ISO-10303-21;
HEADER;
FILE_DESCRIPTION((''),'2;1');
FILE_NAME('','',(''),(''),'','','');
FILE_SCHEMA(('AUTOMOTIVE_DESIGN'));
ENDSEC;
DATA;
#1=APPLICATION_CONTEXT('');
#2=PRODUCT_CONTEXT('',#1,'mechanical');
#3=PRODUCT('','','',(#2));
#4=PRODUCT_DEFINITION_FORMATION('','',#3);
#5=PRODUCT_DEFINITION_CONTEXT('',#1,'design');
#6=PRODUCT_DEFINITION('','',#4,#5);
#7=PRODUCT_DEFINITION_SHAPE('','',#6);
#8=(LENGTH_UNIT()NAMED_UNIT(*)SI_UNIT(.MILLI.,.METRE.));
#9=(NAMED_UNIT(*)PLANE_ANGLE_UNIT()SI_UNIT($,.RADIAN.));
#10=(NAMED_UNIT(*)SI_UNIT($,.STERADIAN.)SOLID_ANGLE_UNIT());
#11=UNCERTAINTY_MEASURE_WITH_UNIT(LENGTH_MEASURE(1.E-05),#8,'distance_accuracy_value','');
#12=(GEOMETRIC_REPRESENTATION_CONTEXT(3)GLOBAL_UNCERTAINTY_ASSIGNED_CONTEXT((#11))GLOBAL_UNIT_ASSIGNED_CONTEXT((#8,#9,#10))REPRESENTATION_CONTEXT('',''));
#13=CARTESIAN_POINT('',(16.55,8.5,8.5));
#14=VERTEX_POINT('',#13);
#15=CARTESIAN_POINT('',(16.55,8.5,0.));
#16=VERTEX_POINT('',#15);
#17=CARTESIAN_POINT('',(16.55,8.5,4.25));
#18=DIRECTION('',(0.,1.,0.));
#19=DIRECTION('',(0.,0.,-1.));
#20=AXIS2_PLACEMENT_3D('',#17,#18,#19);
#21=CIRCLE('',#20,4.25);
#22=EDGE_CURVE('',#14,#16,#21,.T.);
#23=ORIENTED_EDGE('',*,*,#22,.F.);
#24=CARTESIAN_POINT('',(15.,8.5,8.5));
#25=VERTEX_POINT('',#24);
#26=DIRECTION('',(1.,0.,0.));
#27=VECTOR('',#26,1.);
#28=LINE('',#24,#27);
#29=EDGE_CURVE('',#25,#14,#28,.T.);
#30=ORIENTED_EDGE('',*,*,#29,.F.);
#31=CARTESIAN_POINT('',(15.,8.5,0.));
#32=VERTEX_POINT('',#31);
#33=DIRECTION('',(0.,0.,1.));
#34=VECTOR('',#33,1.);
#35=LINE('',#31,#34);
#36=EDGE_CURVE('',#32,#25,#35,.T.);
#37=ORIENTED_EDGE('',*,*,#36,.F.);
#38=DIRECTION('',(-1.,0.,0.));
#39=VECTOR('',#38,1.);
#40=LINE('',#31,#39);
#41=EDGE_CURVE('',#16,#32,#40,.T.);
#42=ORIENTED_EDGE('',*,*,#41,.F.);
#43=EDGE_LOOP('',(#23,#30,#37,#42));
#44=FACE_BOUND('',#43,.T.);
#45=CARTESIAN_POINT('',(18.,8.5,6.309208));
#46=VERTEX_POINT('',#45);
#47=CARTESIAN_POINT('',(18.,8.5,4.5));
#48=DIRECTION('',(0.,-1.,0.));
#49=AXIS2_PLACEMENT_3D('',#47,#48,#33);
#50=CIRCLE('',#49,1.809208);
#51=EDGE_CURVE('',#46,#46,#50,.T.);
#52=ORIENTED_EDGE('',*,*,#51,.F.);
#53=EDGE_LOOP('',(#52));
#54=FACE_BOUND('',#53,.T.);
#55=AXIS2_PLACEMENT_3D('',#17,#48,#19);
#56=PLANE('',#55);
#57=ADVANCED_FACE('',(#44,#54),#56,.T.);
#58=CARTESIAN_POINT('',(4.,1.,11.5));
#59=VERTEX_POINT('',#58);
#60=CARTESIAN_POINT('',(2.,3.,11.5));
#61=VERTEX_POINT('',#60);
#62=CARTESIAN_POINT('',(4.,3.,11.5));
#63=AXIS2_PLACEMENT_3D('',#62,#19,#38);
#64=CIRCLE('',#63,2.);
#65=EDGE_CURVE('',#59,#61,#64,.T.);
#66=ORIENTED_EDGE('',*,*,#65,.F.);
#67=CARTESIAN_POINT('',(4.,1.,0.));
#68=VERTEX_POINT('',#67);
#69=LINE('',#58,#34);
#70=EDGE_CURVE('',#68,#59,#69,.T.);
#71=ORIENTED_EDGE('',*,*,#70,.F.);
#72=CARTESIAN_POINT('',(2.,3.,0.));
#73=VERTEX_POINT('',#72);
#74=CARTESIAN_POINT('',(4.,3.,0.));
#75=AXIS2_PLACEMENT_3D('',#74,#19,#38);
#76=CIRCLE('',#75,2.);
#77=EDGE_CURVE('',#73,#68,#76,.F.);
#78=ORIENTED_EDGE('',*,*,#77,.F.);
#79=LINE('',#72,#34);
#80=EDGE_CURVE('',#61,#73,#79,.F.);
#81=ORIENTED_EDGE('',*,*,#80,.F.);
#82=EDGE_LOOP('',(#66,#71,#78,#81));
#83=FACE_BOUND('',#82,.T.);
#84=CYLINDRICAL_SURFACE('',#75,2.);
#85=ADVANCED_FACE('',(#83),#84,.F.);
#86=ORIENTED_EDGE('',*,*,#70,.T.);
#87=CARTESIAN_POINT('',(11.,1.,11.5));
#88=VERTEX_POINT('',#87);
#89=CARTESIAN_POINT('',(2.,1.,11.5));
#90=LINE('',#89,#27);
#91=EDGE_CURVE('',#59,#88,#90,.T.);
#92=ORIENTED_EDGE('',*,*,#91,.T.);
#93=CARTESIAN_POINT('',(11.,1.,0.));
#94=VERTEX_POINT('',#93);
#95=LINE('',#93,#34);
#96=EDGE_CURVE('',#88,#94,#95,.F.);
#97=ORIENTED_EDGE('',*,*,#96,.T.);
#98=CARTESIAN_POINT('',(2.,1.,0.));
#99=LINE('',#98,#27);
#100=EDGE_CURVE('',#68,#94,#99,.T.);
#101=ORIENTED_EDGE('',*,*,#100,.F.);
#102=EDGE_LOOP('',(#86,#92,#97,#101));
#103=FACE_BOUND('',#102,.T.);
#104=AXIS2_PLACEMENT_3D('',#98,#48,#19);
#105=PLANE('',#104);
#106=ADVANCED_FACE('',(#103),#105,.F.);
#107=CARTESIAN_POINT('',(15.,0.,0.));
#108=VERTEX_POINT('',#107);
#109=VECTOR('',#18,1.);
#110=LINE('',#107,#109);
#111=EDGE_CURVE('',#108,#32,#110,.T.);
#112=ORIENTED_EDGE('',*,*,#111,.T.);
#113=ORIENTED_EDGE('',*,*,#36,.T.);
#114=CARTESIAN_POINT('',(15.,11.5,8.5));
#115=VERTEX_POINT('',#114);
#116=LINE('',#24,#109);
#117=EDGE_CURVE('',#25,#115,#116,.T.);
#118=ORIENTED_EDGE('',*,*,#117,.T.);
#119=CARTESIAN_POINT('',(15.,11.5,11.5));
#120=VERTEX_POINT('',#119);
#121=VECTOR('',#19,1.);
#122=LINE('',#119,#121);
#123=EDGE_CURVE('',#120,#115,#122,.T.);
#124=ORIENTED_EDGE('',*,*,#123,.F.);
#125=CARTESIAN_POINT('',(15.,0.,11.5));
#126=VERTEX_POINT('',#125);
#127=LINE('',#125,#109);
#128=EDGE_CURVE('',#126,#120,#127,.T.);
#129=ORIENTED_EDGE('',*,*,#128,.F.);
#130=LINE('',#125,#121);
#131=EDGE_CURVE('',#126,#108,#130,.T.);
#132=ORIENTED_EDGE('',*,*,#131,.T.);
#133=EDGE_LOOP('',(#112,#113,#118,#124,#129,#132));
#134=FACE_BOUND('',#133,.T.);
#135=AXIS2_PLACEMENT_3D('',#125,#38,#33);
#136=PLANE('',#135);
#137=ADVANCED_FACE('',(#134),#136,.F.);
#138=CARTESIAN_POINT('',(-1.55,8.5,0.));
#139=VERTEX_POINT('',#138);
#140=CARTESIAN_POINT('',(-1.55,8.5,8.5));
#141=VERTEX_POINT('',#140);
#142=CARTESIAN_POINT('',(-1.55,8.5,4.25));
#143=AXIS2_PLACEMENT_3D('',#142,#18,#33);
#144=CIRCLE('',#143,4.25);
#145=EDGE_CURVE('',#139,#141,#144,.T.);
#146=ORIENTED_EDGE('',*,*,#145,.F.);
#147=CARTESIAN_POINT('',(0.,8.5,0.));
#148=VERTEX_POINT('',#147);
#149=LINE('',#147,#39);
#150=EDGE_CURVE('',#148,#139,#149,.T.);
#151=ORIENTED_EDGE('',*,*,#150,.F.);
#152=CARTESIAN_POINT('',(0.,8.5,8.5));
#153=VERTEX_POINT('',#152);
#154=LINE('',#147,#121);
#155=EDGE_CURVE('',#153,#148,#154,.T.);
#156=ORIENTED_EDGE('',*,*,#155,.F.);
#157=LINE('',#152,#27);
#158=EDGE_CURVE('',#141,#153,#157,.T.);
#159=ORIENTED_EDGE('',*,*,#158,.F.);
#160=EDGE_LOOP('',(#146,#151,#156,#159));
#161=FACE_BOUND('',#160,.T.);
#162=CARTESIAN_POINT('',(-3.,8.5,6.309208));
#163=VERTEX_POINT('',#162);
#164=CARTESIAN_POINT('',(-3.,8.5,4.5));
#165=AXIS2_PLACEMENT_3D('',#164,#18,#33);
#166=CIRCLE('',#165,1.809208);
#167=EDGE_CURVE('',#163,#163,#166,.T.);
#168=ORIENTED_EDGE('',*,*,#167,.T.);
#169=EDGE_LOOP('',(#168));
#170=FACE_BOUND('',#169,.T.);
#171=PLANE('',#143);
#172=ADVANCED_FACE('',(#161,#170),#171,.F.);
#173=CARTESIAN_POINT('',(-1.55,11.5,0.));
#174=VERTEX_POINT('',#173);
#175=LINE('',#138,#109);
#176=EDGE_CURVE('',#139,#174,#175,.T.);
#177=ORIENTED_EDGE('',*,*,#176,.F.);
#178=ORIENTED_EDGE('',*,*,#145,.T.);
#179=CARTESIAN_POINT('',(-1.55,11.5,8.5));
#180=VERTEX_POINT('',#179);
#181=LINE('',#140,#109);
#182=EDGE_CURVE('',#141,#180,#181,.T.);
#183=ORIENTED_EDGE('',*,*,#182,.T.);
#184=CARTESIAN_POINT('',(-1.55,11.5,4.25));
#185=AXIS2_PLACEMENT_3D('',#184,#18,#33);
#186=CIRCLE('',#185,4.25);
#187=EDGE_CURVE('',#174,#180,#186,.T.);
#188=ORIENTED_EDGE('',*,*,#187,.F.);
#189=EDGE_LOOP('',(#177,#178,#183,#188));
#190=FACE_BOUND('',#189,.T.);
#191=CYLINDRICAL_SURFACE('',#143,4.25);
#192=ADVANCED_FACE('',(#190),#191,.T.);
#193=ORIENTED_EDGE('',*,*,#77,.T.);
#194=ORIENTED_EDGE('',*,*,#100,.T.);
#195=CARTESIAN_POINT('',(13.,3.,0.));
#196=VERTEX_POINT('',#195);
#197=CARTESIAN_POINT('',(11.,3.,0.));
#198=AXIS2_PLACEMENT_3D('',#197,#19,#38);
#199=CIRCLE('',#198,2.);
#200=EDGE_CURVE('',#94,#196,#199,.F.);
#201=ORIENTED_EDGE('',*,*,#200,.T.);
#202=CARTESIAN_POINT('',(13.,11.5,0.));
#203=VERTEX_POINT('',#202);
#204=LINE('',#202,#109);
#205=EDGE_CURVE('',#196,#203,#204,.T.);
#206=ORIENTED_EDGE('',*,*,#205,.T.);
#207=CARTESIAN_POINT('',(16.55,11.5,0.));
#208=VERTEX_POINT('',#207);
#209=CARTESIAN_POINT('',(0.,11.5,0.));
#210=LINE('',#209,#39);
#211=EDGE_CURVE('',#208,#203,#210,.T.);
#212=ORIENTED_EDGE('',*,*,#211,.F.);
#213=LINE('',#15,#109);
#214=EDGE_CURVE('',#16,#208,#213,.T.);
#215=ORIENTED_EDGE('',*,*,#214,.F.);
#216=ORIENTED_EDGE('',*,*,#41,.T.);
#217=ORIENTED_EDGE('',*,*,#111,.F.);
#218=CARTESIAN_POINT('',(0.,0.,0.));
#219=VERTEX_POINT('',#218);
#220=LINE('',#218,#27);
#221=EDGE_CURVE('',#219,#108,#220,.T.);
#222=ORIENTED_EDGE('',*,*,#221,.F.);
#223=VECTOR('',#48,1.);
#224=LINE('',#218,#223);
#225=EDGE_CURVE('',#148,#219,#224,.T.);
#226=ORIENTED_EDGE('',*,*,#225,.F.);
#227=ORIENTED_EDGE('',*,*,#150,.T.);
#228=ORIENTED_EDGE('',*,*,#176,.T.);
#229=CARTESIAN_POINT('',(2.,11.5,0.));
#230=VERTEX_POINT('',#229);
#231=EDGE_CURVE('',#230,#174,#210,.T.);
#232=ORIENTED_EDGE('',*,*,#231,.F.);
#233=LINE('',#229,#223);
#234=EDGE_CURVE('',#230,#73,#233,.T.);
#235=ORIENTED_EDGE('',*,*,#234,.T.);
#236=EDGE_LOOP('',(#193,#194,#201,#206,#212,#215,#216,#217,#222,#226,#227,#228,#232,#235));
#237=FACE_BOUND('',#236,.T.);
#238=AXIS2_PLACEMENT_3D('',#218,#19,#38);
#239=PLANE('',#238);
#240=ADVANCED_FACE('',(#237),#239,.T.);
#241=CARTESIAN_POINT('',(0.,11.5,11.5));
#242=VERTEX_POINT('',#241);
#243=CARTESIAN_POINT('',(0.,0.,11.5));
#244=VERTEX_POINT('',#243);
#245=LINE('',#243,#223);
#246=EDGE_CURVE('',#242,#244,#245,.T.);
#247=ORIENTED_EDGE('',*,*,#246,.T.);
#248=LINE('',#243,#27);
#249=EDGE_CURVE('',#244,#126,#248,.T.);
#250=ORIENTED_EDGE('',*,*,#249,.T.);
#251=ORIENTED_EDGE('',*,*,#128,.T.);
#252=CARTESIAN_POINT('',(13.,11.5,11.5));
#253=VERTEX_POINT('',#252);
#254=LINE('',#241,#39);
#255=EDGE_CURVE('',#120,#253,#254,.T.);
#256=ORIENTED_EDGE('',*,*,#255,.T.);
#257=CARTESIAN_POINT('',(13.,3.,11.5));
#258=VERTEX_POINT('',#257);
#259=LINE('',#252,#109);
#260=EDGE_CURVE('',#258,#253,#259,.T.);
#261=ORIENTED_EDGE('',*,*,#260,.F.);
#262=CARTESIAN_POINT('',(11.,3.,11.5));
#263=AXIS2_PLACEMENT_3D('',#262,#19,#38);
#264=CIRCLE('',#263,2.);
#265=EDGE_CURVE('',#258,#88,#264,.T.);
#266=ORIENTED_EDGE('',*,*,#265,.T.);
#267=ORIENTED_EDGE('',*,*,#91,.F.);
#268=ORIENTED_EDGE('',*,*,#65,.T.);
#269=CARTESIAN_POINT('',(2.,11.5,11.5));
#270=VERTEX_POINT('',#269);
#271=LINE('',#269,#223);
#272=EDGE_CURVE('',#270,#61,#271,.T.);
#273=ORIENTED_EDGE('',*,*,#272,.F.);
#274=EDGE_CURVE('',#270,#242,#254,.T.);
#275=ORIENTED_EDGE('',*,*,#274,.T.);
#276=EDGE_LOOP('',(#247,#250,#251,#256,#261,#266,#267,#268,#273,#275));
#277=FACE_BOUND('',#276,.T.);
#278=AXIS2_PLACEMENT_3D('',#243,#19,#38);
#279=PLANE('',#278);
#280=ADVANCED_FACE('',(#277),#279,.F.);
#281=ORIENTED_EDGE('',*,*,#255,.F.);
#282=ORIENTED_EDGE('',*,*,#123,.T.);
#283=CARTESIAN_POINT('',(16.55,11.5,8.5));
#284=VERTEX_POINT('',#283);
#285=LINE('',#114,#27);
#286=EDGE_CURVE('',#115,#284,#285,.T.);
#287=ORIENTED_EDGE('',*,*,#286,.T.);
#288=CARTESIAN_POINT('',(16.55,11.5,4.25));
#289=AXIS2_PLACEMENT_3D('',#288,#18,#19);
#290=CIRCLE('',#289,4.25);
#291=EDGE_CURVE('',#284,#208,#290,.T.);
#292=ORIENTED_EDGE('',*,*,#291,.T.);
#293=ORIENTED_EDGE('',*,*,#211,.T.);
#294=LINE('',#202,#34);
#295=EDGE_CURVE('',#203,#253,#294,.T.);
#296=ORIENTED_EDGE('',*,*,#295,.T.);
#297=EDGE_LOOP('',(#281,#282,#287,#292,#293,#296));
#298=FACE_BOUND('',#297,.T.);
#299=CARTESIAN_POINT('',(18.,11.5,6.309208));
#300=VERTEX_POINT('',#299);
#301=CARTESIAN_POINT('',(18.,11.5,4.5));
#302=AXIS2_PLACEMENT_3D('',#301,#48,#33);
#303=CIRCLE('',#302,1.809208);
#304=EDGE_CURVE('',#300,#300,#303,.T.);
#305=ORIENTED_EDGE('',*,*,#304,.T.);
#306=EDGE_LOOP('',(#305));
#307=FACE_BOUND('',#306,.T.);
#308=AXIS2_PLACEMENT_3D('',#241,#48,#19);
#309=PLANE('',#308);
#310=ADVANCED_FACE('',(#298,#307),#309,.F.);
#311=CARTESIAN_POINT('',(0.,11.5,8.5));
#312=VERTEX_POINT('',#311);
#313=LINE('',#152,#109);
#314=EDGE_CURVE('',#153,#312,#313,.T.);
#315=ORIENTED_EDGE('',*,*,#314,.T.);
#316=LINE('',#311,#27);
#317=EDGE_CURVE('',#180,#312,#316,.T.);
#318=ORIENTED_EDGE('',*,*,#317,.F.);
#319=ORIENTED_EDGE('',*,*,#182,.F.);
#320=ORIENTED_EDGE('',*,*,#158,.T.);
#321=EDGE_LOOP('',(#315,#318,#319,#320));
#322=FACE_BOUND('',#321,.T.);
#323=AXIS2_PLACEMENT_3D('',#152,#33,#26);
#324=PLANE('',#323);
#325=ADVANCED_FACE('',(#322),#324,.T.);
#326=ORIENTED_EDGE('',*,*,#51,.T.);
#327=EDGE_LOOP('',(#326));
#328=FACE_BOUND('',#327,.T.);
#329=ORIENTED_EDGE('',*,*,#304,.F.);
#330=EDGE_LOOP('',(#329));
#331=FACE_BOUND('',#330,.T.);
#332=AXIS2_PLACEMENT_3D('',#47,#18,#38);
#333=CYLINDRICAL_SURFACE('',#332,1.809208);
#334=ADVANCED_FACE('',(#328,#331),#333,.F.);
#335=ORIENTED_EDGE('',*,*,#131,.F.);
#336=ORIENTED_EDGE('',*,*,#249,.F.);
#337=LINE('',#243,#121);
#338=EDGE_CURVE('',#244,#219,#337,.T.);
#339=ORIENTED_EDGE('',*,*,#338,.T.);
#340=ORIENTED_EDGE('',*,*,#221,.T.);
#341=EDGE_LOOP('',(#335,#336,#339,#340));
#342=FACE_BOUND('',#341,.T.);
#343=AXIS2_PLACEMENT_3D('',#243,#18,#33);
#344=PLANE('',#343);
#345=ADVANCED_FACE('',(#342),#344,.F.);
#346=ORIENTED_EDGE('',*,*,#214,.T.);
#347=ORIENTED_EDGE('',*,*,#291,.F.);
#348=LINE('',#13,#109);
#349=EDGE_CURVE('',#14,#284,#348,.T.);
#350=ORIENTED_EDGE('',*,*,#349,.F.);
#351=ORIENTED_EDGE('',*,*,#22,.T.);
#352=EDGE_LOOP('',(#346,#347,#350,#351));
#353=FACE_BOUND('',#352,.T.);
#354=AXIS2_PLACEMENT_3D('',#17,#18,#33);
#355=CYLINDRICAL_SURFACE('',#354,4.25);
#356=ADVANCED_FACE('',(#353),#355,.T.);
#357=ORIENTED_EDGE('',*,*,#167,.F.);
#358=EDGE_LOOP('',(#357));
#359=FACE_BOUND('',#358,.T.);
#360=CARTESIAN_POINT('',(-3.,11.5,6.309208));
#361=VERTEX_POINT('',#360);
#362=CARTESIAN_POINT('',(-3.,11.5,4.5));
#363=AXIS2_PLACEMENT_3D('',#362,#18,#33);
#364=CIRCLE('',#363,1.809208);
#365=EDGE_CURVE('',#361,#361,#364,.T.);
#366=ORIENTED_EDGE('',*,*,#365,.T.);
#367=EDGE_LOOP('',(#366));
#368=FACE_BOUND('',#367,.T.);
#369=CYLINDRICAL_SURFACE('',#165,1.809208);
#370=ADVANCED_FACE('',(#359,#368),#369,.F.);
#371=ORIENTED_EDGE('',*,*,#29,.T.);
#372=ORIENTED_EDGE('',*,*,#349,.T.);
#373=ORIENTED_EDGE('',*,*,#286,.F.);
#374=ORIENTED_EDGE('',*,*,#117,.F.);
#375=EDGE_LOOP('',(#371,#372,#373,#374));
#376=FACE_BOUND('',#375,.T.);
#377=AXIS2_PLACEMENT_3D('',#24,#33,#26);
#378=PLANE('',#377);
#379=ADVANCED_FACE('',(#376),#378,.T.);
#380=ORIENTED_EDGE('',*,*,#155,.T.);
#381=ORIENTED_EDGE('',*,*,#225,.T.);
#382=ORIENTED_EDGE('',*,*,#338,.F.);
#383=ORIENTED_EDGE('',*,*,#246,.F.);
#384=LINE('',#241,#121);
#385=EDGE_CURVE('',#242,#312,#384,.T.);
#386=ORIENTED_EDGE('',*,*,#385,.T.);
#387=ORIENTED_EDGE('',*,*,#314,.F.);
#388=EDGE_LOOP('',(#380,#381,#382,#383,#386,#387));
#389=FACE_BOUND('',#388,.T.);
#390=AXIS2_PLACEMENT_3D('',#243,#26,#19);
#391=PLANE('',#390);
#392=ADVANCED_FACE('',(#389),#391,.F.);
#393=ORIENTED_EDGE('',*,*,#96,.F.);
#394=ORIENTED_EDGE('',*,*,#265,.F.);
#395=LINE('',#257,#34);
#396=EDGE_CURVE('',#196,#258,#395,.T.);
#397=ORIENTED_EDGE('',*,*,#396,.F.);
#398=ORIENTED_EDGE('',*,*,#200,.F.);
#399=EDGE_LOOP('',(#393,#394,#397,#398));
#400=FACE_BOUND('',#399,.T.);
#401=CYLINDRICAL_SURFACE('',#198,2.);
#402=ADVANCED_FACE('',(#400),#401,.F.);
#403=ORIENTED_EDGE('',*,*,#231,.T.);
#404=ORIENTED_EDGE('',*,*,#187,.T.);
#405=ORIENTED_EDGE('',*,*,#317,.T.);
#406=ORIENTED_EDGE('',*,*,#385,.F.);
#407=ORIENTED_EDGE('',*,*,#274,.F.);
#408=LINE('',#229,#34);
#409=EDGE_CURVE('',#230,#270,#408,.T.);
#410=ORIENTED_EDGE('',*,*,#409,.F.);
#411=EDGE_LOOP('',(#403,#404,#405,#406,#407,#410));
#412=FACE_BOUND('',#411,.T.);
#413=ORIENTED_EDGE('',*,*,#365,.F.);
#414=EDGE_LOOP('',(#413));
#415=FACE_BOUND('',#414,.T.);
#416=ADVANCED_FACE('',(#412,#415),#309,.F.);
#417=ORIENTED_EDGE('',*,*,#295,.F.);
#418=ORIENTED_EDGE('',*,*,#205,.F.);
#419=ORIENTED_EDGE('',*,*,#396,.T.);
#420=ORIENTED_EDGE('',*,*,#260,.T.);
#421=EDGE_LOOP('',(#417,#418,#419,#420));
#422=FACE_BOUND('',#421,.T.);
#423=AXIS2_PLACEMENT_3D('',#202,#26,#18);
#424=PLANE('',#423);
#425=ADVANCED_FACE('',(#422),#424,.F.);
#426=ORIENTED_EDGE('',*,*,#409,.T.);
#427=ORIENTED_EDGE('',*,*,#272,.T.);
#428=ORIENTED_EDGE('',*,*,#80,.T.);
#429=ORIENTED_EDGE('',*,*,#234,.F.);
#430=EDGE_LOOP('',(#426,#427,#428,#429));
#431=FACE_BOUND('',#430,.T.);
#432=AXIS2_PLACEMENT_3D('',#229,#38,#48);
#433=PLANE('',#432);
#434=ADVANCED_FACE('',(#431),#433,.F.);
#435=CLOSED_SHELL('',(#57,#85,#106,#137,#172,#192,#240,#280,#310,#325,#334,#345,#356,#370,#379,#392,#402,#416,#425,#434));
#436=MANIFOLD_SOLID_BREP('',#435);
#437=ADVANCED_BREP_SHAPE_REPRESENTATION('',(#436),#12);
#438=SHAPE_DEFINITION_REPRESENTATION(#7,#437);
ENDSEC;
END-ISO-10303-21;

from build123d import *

# Parameters (mm, degrees)
SKETCH1_W           = 15
SKETCH1_H           = 11.5
BOSS_EXTRUDE1_DEPTH = 11.5
SKETCH3_W           = 11
SKETCH3_H           = 10.5
CUT_EXTRUDE1_DEPTH  = 11.5
FILLET1_R           = 2
BOSS_EXTRUDE2_DEPTH = 3
SKETCH5_R           = 1.809208309
CUT_EXTRUDE2_DEPTH  = 3


with BuildPart() as part:
    # Sketch1 → Boss-Extrude1 (new body)
    with BuildSketch(Plane.XY):
        with Locations((7.5, 5.75)):
            Rectangle(SKETCH1_W, SKETCH1_H)
    extrude(amount=BOSS_EXTRUDE1_DEPTH)

    # Sketch3 → Cut-Extrude1 (cut)
    with BuildSketch(Plane.XY.offset(11.5)):
        with Locations((7.5, 6.25)):
            Rectangle(SKETCH3_W, SKETCH3_H)
    extrude(amount=-CUT_EXTRUDE1_DEPTH, mode=Mode.SUBTRACT)

    # Fillet1
    fillet1_edges = [part.edges().sort_by_distance(p)[0] for p in [
        (2, 1, 5.75),
        (13, 1, 5.75),
    ]]
    fillet(fillet1_edges, radius=FILLET1_R)

    # Sketch4 → Boss-Extrude2 (add)
    with BuildSketch(Plane(origin=(0, 11.5, 0), x_dir=(1, 0, 0), z_dir=(0, 1, 0))):
        with BuildLine():
            Line((0, 0), (-1.55, 0))
            ThreePointArc((-1.55, 0), (-5.8, -4.25), (-1.55, -8.5))
            Line((-1.55, -8.5), (0, -8.5))
            Line((0, -8.5), (0, 0))
        make_face()
        with BuildLine():
            Line((15, 0), (16.55, 0))
            ThreePointArc((16.55, 0), (20.8, -4.25), (16.55, -8.5))
            Line((16.55, -8.5), (15, -8.5))
            Line((15, -8.5), (15, 0))
        make_face()
    extrude(amount=-BOSS_EXTRUDE2_DEPTH)

    # Sketch5 → Cut-Extrude2 (cut)
    with BuildSketch(Plane(origin=(0, 11.5, 0), x_dir=(1, 0, 0), z_dir=(0, 1, 0))):
        with Locations((-3, -4.5)):
            Circle(SKETCH5_R)
    cut_extrude2 = extrude(amount=-CUT_EXTRUDE2_DEPTH, mode=Mode.SUBTRACT)

    # Mirror1: Cut-Extrude2 across plane
    add(cut_extrude2.mirror(Plane.ZY.offset(-7.5)), mode=Mode.SUBTRACT)


solid = part.part
